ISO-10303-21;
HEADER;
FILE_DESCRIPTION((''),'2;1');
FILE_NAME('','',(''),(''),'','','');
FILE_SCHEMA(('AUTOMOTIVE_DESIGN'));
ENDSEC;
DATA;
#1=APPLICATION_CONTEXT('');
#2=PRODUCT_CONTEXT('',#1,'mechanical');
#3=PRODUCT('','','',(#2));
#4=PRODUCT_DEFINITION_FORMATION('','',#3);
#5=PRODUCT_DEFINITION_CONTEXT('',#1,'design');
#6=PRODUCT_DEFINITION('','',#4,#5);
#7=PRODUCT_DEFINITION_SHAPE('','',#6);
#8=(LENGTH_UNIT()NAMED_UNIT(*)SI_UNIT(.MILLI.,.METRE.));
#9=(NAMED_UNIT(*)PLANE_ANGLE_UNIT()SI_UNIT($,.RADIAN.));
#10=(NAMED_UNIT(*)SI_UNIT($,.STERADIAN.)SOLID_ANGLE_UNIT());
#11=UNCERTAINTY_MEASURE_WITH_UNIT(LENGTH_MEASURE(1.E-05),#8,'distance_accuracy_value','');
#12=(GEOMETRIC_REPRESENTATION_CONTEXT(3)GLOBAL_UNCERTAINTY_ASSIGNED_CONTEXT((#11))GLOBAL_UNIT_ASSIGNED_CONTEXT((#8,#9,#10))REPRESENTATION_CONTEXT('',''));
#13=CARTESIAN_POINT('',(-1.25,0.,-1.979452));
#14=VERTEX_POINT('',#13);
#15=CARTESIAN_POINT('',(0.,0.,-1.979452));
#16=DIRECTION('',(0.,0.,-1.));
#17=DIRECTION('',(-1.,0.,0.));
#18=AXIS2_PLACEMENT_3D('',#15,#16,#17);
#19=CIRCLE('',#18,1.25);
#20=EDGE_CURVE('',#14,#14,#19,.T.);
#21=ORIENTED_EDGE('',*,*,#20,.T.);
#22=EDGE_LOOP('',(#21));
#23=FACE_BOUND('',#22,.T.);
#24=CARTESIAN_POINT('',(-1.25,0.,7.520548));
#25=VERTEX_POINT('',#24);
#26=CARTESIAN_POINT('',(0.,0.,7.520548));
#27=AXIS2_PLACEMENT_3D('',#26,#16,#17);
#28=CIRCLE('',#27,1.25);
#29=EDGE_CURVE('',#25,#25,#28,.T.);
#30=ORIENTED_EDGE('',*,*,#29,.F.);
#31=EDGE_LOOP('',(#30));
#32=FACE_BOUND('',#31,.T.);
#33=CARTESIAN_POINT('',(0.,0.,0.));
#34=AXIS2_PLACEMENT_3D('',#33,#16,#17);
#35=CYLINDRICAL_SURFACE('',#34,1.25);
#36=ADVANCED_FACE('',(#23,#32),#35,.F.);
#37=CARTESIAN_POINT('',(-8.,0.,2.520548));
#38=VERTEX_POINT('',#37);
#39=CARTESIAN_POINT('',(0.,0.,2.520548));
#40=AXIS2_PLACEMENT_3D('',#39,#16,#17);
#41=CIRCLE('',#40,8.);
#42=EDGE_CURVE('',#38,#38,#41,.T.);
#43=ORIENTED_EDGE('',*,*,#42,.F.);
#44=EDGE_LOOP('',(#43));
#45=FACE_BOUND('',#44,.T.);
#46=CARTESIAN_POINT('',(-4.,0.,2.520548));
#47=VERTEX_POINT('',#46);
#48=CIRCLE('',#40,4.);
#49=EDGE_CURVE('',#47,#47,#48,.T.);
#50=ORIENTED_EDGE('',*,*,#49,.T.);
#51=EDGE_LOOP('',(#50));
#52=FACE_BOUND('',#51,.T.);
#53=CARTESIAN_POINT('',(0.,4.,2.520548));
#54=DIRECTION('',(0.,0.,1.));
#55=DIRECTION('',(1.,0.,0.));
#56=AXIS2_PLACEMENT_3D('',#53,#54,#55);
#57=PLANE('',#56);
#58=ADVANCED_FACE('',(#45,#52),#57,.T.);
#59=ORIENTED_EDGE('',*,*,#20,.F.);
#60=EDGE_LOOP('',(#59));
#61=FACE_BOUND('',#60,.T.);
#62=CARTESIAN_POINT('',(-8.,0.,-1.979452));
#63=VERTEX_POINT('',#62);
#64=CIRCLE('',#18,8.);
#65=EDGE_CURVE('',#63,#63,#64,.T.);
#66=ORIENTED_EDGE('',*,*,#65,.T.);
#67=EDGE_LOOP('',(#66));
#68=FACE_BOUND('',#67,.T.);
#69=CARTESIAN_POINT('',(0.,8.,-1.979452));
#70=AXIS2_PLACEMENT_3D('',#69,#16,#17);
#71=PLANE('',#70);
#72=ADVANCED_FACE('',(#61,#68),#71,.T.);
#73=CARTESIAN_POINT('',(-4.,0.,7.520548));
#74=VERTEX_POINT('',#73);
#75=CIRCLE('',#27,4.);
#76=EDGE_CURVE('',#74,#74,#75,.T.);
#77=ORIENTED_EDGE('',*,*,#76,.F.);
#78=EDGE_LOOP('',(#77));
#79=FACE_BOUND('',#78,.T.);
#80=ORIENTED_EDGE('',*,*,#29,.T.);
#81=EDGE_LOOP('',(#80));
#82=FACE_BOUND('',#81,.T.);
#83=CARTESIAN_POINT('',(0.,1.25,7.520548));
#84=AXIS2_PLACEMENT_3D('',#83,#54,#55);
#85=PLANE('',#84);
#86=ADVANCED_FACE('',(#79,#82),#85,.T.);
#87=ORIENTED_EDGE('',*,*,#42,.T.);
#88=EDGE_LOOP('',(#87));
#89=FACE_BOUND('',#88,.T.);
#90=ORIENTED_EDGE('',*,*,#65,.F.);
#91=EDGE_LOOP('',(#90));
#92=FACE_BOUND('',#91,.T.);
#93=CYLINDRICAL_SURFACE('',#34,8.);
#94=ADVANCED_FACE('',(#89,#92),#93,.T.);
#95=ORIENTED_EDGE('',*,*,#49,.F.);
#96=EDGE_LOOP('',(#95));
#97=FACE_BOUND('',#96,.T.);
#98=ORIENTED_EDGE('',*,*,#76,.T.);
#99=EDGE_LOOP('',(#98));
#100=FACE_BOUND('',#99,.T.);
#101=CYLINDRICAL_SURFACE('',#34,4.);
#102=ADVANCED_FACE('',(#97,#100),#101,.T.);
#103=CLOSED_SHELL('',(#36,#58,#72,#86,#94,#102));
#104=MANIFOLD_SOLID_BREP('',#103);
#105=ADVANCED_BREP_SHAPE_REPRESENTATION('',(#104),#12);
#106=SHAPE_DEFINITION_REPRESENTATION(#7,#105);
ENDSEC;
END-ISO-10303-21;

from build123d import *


with BuildPart() as part:
    # Sketch1 → Revolve1 (revolve)
    with BuildSketch(Plane(origin=(0, 0, 0), x_dir=(0, 0, -1), z_dir=(1, 0, 0)), mode=Mode.PRIVATE) as revolve1_sk:
        Polygon((-7.520547945, 4), (-2.520547945, 4), (-2.520547945, 8), (1.979452055, 8), (1.979452055, 1.25), (-7.520547945, 1.25), align=None)
    revolve(revolve1_sk.sketch.rotate(Axis((0, 0, 0), (0, 0, 1)), 90), axis=Axis((0, 0, 0), (0, 0, 1)))


solid = part.part
